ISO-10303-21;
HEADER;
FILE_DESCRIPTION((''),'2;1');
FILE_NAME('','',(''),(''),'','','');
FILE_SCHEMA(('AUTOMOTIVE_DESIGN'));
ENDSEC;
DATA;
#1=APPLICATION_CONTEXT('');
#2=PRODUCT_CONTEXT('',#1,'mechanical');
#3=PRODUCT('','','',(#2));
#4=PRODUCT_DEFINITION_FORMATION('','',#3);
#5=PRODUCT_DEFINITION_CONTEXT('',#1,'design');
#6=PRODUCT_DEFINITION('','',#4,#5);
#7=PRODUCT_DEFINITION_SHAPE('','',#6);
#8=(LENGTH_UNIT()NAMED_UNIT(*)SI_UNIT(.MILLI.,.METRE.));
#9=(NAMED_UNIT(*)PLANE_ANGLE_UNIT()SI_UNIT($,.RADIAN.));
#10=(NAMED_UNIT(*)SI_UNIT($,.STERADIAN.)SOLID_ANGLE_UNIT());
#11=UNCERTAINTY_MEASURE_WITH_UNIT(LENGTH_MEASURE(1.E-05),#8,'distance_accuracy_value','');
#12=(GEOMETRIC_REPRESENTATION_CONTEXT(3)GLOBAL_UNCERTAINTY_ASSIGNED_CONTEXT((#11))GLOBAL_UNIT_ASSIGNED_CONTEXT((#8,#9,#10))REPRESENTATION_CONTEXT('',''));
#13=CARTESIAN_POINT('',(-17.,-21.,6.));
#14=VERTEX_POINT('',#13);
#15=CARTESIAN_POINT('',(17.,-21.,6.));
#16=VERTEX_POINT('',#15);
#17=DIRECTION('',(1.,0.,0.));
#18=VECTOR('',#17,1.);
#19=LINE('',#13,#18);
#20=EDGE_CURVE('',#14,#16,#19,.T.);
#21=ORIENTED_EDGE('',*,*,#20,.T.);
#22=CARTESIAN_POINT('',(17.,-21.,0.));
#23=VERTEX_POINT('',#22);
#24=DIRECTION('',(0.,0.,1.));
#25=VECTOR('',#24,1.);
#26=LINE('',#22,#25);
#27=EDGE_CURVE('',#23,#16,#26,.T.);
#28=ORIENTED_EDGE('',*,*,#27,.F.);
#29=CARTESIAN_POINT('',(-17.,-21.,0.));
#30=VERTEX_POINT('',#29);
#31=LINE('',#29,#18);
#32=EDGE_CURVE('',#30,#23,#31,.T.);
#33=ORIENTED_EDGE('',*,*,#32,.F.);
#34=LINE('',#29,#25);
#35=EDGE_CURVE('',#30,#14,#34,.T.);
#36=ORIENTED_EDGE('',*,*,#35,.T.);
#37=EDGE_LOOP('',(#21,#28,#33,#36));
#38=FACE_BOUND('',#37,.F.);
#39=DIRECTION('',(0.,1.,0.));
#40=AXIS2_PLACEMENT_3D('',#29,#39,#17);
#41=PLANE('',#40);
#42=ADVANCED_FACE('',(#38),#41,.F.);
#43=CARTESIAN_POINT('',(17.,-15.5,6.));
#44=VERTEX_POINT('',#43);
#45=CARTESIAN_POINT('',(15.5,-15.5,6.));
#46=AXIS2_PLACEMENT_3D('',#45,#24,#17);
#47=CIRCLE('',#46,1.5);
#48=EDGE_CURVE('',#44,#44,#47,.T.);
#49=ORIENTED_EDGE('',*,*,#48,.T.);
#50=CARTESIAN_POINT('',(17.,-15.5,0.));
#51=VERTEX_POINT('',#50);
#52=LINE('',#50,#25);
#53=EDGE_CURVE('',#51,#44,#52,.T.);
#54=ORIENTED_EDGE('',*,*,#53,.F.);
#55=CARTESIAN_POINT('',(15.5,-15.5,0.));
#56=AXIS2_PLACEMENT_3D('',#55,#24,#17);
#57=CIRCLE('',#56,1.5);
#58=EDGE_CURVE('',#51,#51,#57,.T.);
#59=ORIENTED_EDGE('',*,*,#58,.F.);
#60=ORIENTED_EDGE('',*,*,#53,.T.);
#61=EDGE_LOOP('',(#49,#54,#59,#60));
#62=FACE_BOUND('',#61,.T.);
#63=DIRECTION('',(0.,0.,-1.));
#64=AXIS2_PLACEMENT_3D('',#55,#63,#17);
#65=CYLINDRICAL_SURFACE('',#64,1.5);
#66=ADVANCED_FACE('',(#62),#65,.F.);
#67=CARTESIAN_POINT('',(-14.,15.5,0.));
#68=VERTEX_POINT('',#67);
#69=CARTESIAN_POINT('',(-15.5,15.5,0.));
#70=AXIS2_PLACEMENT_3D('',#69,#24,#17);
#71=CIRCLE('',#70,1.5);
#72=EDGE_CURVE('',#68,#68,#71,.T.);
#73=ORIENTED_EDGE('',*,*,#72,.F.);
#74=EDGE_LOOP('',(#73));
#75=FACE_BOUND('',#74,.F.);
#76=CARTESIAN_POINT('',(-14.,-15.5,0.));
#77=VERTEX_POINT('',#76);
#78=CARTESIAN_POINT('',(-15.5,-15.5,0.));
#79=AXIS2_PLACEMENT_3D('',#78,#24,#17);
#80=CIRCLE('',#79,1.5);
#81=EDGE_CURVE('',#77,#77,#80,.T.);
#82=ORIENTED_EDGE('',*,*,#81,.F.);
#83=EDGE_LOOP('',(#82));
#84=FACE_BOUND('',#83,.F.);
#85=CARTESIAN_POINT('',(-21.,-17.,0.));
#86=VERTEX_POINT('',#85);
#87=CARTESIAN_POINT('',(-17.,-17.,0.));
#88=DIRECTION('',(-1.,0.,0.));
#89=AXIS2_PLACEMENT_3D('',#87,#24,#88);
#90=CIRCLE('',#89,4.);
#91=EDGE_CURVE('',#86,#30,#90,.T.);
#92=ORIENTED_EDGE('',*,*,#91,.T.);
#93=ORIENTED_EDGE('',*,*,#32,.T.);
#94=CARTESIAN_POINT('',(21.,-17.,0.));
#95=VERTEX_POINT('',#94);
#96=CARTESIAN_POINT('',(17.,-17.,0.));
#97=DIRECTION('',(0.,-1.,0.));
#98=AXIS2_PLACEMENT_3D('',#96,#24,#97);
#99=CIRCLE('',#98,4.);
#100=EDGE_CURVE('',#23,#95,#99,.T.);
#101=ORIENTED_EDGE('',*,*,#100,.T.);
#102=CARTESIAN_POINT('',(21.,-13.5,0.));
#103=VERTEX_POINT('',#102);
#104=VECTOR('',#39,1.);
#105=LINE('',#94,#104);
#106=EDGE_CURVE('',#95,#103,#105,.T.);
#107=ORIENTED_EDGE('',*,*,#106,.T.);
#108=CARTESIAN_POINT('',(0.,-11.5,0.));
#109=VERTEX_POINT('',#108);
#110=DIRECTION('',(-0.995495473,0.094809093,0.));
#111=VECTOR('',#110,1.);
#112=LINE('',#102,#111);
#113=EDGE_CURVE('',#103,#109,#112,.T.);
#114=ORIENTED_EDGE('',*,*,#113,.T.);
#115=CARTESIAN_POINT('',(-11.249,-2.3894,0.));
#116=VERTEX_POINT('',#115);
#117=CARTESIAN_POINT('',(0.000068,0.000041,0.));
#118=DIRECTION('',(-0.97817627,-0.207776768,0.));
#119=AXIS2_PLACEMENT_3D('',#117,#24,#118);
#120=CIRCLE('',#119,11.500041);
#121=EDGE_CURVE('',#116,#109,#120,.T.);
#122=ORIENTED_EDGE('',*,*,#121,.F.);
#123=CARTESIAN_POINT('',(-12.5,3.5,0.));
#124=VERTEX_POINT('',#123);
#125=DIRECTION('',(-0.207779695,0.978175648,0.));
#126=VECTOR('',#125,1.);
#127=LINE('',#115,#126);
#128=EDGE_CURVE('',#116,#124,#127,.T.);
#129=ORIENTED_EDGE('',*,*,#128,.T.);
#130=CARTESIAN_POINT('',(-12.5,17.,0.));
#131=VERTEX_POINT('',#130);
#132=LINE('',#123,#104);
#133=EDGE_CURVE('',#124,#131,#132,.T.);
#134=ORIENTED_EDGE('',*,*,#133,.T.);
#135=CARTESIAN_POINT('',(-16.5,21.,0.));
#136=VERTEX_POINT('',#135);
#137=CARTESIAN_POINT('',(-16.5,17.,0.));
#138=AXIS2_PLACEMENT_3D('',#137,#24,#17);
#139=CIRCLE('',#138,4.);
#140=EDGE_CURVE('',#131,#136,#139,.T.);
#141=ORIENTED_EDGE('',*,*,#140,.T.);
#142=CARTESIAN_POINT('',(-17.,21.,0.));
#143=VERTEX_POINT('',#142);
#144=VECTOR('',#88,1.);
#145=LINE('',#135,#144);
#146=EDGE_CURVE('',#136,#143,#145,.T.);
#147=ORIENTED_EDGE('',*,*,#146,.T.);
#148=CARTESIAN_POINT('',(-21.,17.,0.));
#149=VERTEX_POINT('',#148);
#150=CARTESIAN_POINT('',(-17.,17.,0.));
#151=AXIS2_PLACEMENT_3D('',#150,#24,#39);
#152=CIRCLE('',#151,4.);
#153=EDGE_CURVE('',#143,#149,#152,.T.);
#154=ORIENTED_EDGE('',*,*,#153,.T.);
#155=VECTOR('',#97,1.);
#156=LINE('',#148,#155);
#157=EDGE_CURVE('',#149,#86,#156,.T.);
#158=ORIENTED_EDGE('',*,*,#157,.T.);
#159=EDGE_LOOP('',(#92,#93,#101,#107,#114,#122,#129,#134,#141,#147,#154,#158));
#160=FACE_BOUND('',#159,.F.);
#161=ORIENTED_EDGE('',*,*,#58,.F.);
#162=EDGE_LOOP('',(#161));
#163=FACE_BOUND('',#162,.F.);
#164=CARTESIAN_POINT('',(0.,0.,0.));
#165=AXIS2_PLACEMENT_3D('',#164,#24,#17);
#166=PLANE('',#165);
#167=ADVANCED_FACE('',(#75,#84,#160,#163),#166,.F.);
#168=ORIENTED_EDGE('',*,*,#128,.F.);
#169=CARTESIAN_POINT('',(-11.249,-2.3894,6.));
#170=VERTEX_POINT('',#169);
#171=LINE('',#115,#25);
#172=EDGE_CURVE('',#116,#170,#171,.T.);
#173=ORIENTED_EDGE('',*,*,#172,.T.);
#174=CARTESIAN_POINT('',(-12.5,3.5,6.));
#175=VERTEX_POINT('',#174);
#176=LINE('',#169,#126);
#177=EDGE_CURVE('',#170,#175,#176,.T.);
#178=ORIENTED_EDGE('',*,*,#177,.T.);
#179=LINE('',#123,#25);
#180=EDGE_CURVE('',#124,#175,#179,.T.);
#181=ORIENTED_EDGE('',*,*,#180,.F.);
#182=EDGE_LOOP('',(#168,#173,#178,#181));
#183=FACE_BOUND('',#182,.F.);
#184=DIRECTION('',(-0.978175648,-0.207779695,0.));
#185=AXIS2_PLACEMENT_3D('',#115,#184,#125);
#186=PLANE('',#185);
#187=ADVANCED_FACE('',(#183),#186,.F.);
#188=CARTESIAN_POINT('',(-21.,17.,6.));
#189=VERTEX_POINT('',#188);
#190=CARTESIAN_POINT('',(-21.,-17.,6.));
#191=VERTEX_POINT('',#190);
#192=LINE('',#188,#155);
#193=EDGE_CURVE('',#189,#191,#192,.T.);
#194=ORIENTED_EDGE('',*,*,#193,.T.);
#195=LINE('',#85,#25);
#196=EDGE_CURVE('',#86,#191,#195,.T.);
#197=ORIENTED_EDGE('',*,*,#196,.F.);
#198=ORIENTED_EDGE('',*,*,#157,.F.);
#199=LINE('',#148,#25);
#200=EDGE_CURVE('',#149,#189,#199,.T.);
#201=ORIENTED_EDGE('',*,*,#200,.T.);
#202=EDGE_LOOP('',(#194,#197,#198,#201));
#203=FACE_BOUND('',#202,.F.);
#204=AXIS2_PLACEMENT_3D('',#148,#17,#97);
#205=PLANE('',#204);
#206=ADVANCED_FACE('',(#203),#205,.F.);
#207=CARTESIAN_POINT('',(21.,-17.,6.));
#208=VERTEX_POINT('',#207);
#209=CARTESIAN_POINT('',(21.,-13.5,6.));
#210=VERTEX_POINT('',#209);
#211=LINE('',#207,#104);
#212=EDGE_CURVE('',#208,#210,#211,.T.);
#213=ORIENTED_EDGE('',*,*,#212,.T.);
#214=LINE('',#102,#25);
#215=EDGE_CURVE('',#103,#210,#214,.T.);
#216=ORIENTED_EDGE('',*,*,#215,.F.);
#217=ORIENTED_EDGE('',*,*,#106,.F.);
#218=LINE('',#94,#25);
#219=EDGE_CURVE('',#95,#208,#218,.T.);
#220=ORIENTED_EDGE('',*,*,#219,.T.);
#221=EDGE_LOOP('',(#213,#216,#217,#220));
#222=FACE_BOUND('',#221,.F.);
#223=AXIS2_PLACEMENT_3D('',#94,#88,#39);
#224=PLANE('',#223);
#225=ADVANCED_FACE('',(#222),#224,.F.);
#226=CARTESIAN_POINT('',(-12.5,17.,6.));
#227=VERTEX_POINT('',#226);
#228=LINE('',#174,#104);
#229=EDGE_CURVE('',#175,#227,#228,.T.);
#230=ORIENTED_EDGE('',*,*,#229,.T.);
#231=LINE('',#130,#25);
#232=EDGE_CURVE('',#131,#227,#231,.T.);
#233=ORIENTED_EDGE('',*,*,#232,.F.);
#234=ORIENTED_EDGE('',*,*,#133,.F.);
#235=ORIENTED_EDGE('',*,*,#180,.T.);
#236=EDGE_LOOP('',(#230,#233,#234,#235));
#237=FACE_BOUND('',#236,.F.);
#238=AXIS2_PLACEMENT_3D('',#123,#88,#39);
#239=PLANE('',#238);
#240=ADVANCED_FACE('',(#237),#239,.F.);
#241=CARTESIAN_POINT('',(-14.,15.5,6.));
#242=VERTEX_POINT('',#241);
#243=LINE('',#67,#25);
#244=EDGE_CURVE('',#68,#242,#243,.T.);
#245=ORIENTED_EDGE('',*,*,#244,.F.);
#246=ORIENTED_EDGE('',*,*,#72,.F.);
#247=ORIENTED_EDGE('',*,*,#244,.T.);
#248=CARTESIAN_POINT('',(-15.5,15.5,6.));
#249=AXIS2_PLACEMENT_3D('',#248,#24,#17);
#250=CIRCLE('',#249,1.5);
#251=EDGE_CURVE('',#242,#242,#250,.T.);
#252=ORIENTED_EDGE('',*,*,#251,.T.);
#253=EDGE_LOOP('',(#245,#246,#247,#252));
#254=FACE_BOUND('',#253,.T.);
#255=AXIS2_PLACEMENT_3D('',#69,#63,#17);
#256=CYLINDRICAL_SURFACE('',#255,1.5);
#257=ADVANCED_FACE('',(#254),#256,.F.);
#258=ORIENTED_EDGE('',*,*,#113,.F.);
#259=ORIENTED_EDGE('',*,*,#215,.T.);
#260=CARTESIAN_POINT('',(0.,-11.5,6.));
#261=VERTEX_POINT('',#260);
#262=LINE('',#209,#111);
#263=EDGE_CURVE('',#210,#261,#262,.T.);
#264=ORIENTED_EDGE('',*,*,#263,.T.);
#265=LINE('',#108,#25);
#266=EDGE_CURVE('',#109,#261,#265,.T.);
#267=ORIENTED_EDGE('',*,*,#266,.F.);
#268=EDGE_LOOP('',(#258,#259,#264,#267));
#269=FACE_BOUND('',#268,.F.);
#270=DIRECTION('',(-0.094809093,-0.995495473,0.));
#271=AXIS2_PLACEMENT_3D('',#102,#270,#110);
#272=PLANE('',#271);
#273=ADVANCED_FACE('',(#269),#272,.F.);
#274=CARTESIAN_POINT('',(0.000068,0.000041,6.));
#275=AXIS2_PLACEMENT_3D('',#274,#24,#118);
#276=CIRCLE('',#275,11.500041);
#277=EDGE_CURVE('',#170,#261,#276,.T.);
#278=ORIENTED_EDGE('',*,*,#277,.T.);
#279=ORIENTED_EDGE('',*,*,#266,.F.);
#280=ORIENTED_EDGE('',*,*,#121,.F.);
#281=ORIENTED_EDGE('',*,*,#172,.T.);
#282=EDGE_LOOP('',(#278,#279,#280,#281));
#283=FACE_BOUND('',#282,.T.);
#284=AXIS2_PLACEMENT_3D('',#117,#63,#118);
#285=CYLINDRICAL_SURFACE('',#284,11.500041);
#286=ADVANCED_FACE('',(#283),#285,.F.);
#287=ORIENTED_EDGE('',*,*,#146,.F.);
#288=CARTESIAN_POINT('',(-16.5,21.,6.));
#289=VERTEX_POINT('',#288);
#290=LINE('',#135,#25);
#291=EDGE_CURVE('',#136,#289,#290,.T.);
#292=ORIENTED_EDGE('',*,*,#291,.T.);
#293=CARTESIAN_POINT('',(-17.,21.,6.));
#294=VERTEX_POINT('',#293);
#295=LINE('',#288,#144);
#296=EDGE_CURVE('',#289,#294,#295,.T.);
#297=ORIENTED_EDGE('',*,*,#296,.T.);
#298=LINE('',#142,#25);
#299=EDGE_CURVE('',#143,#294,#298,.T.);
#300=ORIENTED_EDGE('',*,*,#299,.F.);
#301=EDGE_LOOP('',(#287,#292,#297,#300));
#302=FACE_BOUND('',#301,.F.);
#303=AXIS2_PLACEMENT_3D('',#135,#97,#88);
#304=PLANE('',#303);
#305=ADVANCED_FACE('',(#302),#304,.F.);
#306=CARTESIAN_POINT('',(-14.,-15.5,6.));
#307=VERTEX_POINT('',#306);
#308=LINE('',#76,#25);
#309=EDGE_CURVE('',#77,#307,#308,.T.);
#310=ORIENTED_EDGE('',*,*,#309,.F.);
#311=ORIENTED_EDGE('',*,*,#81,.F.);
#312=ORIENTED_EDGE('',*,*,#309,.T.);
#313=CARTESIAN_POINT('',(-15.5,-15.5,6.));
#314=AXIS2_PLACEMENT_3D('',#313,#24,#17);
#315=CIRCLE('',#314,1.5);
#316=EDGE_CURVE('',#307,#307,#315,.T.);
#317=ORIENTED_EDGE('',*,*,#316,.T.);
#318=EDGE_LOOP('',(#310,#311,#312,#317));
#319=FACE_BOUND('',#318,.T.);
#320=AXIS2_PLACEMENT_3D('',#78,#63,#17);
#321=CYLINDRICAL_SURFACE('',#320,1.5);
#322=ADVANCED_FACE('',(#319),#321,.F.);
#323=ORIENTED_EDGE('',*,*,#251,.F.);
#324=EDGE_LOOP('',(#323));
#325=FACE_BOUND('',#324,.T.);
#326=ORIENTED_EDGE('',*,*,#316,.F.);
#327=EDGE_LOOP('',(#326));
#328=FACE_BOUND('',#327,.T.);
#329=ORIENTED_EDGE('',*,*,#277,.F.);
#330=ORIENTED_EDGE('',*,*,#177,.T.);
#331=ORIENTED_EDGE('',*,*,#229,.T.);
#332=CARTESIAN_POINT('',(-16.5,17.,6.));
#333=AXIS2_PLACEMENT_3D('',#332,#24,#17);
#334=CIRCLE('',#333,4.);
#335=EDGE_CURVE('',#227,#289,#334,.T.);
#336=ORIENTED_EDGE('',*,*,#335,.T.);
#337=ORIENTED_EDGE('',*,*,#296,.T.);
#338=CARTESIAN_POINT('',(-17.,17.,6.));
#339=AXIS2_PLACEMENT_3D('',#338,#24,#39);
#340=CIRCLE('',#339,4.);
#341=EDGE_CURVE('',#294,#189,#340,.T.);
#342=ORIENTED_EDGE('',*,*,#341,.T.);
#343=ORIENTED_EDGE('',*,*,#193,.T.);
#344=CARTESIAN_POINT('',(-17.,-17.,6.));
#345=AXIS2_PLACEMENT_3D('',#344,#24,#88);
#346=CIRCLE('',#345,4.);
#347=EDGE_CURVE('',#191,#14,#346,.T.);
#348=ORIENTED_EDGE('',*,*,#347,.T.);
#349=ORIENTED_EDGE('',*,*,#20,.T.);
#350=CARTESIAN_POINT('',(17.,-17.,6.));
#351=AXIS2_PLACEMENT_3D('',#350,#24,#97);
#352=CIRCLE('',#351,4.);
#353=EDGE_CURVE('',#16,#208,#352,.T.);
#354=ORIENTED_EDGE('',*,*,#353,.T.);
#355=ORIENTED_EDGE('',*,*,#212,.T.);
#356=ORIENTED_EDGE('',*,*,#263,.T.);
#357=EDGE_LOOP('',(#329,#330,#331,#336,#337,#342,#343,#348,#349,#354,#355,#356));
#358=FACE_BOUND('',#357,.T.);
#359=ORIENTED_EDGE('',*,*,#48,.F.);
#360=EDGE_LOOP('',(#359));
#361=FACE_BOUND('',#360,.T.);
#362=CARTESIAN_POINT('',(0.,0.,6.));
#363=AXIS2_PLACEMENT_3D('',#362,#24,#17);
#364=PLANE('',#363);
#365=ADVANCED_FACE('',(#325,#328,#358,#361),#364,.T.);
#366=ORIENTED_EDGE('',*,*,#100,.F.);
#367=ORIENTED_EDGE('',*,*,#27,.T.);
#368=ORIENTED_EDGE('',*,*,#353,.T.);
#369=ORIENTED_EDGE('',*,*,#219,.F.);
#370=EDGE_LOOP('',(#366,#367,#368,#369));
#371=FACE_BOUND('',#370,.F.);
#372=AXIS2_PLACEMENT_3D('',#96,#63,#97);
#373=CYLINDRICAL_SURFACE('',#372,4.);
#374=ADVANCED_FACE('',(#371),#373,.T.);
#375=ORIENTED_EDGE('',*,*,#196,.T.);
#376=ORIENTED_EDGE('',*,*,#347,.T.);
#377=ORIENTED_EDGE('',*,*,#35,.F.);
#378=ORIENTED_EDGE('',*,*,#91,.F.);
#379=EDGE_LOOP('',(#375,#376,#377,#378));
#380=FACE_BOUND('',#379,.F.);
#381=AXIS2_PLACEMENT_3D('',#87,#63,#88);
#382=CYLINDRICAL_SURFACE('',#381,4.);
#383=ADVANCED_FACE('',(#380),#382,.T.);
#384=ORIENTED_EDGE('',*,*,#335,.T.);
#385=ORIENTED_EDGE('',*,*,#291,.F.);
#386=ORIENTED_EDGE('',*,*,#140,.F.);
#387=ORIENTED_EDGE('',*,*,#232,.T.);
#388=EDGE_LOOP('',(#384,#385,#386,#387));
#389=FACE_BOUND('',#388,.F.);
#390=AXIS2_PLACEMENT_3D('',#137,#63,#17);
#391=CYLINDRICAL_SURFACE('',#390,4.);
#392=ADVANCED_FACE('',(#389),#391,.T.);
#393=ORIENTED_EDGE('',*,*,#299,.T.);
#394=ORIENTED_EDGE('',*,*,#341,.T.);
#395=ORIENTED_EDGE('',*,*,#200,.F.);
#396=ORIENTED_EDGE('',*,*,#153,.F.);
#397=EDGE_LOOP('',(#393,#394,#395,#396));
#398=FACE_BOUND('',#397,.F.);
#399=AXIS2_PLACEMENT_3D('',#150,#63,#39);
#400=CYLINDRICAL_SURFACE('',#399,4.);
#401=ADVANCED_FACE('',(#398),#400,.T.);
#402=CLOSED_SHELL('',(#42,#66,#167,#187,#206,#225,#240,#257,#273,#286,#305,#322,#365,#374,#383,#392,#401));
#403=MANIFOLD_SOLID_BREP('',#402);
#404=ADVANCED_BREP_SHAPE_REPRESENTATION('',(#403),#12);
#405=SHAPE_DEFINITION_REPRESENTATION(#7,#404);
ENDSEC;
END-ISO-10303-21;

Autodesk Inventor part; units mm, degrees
ref_plane "YZ Plane" through (0, 0, 0) normal (1, 0, 0) x (0, 1, 0)
ref_plane "XZ Plane" through (0, 0, 0) normal (0, 1, 0) x (-1, 0, 0)
ref_plane "XY Plane" through (0, 0, 0) normal (0, 0, 1) x (1, 0, 0)
sketch "Sketch1" plane through (0, 0, 0) normal (0, 0, 1) x (1, 0, 0)
  line L0 (21, -13.5) -> (0, -11.5)
  arc A0 (-11.249, -2.3894) -> (0, -11.5) centre (0, 0) ccw
  line L1 (-11.249, -2.3894) -> (-12.5, 3.5)
  line L2 (-12.5, 3.5) -> (-12.5, 17)
  arc A1 (-12.5, 17) -> (-16.5, 21) centre (-16.5, 17) ccw
  line L3 (-16.5, 21) -> (-17, 21)
  arc A2 (-17, 21) -> (-21, 17) centre (-17, 17) ccw
  line L4 (-21, 17) -> (-21, -17)
  arc A3 (-21, -17) -> (-17, -21) centre (-17, -17) ccw
  line L5 (-17, -21) -> (17, -21)
  arc A4 (17, -21) -> (21, -17) centre (17, -17) ccw
  line L6 (21, -17) -> (21, -13.5)
  circle A5 centre (15.5, -15.5) radius 1.5
  circle A6 centre (-15.5, -15.5) radius 1.5
  circle A7 centre (-15.5, 15.5) radius 1.5
extrude "Extrusion1" add sketch "Sketch1" along normal blind 6
properties part number "xMotorSpacer"
